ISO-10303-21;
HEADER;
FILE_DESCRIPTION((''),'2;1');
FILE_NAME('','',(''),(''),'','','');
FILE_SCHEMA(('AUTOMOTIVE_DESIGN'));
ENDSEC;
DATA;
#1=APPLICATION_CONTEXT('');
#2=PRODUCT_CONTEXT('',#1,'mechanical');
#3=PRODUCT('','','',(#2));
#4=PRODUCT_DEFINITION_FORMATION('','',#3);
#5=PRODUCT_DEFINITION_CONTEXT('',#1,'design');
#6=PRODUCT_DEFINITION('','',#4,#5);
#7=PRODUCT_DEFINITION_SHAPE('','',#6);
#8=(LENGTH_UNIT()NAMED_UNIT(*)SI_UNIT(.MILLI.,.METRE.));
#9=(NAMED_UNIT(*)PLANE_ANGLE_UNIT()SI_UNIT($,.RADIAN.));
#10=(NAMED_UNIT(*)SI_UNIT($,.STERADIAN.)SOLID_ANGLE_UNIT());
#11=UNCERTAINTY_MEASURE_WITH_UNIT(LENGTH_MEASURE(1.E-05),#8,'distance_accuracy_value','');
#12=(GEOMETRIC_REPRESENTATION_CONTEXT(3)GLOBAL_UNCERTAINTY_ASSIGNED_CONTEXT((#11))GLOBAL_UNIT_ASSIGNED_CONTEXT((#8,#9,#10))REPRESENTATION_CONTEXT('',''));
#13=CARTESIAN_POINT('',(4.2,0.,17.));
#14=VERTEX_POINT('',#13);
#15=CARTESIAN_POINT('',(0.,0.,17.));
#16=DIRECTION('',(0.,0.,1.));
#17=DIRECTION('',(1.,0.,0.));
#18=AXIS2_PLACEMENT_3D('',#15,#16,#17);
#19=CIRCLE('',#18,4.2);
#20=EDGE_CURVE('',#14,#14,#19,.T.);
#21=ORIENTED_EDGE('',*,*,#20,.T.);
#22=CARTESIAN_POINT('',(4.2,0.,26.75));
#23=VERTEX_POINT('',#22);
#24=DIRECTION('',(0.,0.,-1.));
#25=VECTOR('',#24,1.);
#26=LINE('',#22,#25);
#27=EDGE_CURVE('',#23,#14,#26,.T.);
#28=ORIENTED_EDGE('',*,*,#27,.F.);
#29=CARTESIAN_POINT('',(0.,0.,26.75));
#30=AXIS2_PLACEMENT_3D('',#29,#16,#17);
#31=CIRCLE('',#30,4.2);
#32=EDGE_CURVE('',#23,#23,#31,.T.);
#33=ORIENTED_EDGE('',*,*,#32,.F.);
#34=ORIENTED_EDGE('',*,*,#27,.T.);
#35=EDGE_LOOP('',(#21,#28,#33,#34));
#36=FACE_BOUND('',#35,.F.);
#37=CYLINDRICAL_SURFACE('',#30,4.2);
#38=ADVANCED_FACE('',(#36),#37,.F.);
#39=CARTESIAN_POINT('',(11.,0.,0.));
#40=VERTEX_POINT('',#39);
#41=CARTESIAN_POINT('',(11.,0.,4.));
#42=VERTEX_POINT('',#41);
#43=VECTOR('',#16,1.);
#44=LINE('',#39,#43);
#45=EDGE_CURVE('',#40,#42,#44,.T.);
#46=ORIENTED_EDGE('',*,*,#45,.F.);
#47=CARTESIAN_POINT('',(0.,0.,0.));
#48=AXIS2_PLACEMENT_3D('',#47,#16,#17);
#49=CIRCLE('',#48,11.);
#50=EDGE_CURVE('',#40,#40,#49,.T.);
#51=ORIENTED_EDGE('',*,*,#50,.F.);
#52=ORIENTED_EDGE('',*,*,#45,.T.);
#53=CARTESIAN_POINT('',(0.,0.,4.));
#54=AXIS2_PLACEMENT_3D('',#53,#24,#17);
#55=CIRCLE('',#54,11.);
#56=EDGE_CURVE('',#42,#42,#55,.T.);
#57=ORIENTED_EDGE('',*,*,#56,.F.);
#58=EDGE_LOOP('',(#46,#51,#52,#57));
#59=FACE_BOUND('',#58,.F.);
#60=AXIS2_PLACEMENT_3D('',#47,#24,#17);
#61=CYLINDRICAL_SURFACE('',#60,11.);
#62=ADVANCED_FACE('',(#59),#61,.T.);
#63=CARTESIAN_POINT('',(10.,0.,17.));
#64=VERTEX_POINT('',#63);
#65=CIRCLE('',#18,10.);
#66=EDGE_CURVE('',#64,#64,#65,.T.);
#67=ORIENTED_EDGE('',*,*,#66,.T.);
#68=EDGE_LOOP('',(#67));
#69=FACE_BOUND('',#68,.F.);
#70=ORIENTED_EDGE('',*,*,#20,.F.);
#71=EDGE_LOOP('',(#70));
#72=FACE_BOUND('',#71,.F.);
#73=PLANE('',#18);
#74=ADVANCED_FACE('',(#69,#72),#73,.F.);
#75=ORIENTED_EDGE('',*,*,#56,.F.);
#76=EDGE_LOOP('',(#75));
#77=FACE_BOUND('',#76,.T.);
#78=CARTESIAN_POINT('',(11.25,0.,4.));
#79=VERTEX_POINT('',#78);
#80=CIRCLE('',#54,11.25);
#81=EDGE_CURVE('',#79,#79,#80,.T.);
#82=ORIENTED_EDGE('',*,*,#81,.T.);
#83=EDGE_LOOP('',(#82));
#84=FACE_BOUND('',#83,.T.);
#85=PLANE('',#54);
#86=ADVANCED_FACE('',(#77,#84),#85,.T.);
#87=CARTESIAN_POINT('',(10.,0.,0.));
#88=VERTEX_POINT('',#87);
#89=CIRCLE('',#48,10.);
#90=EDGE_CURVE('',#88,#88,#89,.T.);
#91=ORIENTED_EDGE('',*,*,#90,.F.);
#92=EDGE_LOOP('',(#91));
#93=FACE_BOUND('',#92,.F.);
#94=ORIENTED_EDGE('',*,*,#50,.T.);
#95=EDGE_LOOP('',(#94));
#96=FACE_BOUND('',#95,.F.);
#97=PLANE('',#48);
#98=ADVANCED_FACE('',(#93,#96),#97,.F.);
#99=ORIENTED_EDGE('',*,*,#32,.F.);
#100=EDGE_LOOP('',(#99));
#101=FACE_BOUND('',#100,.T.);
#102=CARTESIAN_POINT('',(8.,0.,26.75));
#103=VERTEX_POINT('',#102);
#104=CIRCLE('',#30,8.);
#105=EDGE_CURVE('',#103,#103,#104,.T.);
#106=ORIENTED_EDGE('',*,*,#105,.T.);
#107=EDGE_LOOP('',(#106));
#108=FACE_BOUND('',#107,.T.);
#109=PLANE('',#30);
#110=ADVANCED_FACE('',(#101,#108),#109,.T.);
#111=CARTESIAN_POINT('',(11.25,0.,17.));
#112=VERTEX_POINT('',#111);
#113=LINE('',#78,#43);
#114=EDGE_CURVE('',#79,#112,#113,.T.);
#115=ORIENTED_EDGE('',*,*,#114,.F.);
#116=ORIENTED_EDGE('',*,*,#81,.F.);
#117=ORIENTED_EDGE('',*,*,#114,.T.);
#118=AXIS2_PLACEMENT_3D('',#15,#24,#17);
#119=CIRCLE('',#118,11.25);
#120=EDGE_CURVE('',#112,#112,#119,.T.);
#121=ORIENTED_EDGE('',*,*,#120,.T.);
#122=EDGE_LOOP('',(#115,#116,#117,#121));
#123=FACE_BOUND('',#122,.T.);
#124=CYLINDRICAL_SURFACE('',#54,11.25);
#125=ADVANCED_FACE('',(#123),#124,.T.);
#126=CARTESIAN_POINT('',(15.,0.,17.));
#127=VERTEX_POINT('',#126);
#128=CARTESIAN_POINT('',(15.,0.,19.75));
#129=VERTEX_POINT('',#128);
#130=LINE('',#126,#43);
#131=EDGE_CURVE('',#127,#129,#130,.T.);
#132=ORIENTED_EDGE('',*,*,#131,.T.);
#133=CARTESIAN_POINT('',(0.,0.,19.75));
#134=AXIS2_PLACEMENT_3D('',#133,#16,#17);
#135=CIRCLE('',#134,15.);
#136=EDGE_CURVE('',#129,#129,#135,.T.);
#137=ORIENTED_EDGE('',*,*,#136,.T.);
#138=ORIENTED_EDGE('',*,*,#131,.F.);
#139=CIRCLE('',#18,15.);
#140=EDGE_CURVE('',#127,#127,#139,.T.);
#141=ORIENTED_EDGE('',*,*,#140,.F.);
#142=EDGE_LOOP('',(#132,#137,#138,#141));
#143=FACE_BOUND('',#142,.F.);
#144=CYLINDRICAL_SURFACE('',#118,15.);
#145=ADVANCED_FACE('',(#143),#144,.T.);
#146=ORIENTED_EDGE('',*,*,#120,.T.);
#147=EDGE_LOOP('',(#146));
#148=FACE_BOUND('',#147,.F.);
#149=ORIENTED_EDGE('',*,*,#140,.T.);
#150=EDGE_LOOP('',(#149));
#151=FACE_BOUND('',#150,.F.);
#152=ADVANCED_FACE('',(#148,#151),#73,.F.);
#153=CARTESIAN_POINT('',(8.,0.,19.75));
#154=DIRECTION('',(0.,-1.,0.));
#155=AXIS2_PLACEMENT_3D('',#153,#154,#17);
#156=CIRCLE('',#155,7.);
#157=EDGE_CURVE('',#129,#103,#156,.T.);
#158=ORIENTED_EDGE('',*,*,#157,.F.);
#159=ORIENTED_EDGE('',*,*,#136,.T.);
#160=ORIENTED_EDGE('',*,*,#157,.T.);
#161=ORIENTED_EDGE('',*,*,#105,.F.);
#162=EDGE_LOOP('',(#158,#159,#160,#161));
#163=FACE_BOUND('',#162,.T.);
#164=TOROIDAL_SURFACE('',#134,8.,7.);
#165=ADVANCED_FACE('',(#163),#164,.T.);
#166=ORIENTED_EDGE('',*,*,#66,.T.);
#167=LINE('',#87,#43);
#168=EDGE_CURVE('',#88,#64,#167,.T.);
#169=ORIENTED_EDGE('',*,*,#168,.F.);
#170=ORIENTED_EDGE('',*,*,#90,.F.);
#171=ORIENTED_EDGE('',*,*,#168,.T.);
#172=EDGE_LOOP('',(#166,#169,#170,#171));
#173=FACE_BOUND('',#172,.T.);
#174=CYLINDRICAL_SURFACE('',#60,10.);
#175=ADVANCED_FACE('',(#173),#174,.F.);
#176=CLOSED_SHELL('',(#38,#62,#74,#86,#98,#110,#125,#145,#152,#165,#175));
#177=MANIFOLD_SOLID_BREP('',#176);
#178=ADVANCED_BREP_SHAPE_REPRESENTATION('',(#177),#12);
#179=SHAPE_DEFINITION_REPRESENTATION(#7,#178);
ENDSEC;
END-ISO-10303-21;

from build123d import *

# Parameters (mm, degrees)
F0_R     = 11
F0_R_2   = 10
F1_DEPTH = 17
F2_R     = 15
F3_DEPTH = 9.75
F4_R     = 7
F6_R     = 11.25
F6_R_2   = 11
F7_DEPTH = 13
F8_R     = 4.2
F9_DEPTH = 25.4


with BuildPart() as f1:
    # F0 (on Top) → F1 (new body)
    with BuildSketch(Plane.XY):
        Circle(F0_R)
        Circle(F0_R_2, mode=Mode.SUBTRACT)
    extrude(amount=F1_DEPTH)

    # F2 (on face) → F3 (join)
    with BuildSketch(Plane.XY.offset(17)):
        Circle(F2_R)
    extrude(amount=F3_DEPTH)

    # F4
    f4_edges = [f1.edges().sort_by_distance(p)[0] for p in [
        (-15, 0, 26.75),
    ]]
    fillet(f4_edges, radius=F4_R)

    # F6 (on offset) → F7 (join, through all)
    with BuildSketch(Plane(origin=(0, 0, 4), x_dir=(1, 0, 0), z_dir=(0, 0, -1))):
        Circle(F6_R)
        Circle(F6_R_2, mode=Mode.SUBTRACT)
    extrude(amount=-F7_DEPTH)

    # F8 (on face) → F9 (cut)
    with BuildSketch(Plane.XY.offset(26.75)):
        Circle(F8_R)
    extrude(amount=-F9_DEPTH, mode=Mode.SUBTRACT)


solid = f1.part
